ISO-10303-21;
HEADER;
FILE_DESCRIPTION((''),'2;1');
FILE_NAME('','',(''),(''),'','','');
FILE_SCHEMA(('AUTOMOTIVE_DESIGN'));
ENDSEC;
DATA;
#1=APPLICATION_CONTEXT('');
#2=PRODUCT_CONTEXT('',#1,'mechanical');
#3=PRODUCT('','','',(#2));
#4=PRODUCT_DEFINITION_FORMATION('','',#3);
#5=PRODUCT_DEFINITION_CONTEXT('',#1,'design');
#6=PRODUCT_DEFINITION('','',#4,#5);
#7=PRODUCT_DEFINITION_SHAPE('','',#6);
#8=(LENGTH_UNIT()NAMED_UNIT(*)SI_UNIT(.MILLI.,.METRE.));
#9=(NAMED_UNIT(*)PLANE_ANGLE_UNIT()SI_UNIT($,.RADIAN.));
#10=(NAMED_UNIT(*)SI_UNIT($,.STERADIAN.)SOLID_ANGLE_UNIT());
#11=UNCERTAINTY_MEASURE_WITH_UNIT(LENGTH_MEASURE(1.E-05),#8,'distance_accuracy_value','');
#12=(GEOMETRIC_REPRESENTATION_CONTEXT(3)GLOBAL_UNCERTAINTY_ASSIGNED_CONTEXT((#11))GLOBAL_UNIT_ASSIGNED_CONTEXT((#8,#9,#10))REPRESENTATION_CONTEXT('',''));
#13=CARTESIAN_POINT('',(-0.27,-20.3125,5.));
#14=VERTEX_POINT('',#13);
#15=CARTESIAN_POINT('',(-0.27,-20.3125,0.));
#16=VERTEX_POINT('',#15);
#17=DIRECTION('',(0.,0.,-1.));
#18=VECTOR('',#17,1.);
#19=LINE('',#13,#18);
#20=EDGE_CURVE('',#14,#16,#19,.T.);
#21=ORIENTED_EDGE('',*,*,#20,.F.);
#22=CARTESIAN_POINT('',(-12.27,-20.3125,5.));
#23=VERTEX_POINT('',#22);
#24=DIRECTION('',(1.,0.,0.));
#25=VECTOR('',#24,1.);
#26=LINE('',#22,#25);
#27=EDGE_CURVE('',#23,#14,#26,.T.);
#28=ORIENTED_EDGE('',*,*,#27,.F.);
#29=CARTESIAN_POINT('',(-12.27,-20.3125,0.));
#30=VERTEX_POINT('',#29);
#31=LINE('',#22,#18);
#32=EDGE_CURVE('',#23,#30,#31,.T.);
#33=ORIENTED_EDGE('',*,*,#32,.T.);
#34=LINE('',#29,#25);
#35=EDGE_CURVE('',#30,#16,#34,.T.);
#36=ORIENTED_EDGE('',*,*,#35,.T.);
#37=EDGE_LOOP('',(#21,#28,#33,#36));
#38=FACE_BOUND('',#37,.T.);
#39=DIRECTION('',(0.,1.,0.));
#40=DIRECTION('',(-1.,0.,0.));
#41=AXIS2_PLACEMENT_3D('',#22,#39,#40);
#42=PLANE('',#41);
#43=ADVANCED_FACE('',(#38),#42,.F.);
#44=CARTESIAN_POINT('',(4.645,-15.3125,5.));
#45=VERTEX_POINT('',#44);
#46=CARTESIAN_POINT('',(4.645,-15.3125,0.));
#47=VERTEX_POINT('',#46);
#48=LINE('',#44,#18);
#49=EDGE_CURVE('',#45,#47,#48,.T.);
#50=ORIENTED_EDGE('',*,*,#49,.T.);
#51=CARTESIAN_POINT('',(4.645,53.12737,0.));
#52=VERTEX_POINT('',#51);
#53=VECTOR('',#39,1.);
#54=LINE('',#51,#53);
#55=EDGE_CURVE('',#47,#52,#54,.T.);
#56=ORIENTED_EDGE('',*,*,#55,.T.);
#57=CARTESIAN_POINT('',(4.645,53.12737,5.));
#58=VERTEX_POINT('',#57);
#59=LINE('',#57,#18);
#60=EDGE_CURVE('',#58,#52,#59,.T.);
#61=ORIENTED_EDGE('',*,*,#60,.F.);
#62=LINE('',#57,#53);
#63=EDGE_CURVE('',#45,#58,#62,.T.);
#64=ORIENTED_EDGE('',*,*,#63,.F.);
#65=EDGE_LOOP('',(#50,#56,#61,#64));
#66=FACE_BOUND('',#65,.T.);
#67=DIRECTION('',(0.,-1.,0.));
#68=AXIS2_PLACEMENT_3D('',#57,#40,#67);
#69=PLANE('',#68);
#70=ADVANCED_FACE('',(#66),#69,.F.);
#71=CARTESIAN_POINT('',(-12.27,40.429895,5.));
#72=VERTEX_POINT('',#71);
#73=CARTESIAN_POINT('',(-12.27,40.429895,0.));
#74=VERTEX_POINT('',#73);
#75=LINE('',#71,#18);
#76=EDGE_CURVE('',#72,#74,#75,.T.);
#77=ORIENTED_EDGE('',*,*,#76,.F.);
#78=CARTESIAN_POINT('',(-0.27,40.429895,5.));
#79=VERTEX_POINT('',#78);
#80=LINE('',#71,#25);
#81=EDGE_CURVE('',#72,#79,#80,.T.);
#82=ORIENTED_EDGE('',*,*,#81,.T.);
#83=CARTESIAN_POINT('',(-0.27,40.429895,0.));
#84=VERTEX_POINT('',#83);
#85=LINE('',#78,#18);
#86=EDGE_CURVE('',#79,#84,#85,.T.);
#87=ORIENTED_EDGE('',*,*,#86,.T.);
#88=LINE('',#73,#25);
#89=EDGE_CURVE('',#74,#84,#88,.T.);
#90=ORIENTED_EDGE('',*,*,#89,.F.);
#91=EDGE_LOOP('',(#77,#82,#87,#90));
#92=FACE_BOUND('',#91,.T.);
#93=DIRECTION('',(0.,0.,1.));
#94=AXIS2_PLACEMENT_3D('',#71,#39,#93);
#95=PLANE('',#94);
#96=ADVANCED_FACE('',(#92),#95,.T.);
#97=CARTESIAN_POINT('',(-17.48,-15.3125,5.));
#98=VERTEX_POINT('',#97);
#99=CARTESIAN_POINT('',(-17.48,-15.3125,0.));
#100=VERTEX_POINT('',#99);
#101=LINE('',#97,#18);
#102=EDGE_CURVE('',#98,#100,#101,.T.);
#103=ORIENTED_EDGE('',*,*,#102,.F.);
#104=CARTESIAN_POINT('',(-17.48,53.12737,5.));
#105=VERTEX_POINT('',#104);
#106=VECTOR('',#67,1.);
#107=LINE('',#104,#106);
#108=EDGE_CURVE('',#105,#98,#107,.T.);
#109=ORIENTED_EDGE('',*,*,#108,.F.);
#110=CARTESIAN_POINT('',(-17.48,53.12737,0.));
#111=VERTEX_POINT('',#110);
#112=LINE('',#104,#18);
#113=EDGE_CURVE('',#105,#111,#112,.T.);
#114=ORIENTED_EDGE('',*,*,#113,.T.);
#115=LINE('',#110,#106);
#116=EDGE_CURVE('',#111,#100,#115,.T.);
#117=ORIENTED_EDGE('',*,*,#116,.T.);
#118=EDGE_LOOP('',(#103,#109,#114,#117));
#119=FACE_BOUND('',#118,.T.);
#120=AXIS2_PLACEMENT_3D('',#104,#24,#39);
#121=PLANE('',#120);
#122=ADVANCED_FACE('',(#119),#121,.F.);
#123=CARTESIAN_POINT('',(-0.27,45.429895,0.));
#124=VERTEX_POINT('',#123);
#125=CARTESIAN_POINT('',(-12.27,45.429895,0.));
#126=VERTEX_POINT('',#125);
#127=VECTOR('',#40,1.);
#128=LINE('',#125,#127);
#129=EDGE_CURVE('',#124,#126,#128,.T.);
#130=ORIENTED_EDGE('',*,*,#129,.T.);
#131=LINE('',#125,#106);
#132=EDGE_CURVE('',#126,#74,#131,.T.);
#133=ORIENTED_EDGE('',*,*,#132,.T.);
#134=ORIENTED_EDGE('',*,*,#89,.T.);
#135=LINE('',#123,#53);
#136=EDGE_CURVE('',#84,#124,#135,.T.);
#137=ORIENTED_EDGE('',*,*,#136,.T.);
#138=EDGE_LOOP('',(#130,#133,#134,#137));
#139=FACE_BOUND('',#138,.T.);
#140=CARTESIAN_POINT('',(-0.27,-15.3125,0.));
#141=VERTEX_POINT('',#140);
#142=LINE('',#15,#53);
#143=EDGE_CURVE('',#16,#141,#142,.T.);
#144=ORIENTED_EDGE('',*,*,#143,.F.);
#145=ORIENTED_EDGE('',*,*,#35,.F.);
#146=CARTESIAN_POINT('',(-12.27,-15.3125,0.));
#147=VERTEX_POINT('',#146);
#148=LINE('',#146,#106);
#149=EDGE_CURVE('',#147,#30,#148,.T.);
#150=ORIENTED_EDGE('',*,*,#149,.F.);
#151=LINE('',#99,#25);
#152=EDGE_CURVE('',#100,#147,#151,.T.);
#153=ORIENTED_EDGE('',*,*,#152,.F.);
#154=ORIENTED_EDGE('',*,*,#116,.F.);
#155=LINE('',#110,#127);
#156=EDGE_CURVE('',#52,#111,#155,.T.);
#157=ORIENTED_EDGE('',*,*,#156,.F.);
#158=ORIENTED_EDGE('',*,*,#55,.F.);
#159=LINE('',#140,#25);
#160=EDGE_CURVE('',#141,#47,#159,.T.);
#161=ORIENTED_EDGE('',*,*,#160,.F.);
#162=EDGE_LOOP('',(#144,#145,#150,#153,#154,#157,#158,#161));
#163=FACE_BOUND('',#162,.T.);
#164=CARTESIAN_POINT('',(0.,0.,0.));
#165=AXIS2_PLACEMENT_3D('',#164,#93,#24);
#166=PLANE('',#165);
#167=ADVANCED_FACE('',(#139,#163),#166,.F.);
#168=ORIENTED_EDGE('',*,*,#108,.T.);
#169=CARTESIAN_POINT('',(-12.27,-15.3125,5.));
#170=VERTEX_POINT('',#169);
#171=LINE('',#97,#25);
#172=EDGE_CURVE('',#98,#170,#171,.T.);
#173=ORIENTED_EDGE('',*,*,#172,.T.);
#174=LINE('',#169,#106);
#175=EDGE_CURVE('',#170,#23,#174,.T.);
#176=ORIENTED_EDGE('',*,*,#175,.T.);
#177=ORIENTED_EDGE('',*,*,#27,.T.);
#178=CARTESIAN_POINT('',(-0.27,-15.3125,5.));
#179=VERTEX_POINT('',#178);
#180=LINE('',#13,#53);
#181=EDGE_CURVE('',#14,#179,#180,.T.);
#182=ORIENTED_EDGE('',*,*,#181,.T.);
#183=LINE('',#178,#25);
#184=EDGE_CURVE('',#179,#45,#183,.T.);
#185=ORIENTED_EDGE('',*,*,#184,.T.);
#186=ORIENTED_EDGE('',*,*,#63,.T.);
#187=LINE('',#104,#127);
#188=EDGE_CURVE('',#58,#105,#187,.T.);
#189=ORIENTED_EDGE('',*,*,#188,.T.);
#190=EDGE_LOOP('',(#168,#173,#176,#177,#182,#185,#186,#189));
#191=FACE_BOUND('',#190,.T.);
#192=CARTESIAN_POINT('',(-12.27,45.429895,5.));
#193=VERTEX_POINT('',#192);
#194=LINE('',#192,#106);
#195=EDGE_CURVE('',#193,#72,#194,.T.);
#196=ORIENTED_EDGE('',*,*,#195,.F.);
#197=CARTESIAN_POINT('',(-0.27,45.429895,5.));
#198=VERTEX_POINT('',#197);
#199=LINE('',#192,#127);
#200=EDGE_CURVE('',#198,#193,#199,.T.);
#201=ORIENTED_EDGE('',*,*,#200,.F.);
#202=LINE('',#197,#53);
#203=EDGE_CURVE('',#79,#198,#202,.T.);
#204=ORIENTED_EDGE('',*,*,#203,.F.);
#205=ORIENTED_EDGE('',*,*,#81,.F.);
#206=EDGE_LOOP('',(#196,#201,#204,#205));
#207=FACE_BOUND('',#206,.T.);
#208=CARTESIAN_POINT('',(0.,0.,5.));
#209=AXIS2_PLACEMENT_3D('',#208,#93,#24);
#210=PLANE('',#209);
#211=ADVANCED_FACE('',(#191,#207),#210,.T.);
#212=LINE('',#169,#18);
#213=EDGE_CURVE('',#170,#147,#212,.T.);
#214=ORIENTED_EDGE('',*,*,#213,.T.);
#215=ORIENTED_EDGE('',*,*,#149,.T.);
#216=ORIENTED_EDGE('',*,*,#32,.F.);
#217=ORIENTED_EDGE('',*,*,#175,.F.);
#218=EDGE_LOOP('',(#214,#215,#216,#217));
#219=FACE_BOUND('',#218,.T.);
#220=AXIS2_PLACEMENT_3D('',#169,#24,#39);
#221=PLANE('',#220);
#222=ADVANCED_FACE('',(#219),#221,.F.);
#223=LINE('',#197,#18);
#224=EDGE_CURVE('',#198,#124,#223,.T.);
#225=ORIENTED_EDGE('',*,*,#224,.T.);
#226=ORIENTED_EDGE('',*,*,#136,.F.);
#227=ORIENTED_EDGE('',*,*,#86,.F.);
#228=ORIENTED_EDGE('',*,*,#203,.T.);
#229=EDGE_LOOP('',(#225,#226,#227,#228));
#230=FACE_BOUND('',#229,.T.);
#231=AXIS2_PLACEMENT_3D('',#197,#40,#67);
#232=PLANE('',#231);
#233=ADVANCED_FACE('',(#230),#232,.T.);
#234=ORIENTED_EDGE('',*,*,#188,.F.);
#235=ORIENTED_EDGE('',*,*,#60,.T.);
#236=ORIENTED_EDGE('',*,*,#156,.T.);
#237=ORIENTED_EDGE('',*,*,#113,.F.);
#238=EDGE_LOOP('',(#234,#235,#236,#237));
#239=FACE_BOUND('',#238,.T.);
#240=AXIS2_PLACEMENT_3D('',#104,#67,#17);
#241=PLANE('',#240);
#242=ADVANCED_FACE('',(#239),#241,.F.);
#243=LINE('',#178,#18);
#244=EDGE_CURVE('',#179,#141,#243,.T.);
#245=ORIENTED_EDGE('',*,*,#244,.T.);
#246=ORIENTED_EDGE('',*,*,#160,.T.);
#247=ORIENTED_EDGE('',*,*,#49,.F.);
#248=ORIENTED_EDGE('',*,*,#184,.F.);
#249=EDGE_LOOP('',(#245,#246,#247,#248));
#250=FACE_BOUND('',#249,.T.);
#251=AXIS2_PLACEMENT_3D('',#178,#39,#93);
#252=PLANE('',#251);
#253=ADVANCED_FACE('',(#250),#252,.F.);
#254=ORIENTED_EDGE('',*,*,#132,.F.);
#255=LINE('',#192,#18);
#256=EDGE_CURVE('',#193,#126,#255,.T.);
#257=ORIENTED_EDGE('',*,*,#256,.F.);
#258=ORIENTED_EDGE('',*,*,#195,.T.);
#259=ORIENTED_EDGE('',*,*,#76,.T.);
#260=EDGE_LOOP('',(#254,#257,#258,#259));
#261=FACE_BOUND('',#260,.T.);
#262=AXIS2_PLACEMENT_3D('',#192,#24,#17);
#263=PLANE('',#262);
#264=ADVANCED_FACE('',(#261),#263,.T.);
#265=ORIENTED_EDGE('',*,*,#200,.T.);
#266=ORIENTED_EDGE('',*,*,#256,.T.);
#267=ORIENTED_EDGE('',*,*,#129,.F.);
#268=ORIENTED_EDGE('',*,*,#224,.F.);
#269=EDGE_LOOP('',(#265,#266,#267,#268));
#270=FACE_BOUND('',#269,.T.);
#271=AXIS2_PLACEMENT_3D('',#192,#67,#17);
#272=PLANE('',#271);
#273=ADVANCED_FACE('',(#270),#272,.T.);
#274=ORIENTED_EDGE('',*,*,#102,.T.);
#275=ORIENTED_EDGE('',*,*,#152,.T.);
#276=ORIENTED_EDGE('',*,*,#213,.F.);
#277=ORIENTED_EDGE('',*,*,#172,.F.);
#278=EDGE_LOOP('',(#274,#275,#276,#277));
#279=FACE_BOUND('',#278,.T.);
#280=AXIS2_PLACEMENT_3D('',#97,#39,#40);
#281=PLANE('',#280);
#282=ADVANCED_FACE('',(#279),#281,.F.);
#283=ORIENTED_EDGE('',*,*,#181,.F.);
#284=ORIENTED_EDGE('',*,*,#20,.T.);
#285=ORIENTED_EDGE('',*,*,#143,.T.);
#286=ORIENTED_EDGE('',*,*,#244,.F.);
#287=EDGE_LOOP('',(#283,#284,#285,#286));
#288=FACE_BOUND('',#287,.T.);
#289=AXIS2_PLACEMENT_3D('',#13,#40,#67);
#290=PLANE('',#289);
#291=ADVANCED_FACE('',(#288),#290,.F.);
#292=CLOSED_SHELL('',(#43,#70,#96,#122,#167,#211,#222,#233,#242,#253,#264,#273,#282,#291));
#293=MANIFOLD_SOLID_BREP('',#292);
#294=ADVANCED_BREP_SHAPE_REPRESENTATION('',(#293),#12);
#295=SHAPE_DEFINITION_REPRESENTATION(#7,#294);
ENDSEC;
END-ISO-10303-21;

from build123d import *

# Parameters (mm, degrees)
SKETCH1_W           = 12
SKETCH1_H           = 5
BOSS_EXTRUDE1_DEPTH = 5


with BuildPart() as part:
    # Sketch1 → Boss-Extrude1 (new body)
    with BuildSketch(Plane.XY):
        Polygon((-12.27, -15.3125), (-12.27, -20.3125), (-0.27, -20.3125), (-0.27, -15.3125), (4.645, -15.3125), (4.645, 53.127370428), (-17.48, 53.127370428), (-17.48, -15.3125), align=None)
        with Locations((-6.27, 42.929894728)):
            Rectangle(SKETCH1_W, SKETCH1_H, mode=Mode.SUBTRACT)
    extrude(amount=BOSS_EXTRUDE1_DEPTH)


solid = part.part
